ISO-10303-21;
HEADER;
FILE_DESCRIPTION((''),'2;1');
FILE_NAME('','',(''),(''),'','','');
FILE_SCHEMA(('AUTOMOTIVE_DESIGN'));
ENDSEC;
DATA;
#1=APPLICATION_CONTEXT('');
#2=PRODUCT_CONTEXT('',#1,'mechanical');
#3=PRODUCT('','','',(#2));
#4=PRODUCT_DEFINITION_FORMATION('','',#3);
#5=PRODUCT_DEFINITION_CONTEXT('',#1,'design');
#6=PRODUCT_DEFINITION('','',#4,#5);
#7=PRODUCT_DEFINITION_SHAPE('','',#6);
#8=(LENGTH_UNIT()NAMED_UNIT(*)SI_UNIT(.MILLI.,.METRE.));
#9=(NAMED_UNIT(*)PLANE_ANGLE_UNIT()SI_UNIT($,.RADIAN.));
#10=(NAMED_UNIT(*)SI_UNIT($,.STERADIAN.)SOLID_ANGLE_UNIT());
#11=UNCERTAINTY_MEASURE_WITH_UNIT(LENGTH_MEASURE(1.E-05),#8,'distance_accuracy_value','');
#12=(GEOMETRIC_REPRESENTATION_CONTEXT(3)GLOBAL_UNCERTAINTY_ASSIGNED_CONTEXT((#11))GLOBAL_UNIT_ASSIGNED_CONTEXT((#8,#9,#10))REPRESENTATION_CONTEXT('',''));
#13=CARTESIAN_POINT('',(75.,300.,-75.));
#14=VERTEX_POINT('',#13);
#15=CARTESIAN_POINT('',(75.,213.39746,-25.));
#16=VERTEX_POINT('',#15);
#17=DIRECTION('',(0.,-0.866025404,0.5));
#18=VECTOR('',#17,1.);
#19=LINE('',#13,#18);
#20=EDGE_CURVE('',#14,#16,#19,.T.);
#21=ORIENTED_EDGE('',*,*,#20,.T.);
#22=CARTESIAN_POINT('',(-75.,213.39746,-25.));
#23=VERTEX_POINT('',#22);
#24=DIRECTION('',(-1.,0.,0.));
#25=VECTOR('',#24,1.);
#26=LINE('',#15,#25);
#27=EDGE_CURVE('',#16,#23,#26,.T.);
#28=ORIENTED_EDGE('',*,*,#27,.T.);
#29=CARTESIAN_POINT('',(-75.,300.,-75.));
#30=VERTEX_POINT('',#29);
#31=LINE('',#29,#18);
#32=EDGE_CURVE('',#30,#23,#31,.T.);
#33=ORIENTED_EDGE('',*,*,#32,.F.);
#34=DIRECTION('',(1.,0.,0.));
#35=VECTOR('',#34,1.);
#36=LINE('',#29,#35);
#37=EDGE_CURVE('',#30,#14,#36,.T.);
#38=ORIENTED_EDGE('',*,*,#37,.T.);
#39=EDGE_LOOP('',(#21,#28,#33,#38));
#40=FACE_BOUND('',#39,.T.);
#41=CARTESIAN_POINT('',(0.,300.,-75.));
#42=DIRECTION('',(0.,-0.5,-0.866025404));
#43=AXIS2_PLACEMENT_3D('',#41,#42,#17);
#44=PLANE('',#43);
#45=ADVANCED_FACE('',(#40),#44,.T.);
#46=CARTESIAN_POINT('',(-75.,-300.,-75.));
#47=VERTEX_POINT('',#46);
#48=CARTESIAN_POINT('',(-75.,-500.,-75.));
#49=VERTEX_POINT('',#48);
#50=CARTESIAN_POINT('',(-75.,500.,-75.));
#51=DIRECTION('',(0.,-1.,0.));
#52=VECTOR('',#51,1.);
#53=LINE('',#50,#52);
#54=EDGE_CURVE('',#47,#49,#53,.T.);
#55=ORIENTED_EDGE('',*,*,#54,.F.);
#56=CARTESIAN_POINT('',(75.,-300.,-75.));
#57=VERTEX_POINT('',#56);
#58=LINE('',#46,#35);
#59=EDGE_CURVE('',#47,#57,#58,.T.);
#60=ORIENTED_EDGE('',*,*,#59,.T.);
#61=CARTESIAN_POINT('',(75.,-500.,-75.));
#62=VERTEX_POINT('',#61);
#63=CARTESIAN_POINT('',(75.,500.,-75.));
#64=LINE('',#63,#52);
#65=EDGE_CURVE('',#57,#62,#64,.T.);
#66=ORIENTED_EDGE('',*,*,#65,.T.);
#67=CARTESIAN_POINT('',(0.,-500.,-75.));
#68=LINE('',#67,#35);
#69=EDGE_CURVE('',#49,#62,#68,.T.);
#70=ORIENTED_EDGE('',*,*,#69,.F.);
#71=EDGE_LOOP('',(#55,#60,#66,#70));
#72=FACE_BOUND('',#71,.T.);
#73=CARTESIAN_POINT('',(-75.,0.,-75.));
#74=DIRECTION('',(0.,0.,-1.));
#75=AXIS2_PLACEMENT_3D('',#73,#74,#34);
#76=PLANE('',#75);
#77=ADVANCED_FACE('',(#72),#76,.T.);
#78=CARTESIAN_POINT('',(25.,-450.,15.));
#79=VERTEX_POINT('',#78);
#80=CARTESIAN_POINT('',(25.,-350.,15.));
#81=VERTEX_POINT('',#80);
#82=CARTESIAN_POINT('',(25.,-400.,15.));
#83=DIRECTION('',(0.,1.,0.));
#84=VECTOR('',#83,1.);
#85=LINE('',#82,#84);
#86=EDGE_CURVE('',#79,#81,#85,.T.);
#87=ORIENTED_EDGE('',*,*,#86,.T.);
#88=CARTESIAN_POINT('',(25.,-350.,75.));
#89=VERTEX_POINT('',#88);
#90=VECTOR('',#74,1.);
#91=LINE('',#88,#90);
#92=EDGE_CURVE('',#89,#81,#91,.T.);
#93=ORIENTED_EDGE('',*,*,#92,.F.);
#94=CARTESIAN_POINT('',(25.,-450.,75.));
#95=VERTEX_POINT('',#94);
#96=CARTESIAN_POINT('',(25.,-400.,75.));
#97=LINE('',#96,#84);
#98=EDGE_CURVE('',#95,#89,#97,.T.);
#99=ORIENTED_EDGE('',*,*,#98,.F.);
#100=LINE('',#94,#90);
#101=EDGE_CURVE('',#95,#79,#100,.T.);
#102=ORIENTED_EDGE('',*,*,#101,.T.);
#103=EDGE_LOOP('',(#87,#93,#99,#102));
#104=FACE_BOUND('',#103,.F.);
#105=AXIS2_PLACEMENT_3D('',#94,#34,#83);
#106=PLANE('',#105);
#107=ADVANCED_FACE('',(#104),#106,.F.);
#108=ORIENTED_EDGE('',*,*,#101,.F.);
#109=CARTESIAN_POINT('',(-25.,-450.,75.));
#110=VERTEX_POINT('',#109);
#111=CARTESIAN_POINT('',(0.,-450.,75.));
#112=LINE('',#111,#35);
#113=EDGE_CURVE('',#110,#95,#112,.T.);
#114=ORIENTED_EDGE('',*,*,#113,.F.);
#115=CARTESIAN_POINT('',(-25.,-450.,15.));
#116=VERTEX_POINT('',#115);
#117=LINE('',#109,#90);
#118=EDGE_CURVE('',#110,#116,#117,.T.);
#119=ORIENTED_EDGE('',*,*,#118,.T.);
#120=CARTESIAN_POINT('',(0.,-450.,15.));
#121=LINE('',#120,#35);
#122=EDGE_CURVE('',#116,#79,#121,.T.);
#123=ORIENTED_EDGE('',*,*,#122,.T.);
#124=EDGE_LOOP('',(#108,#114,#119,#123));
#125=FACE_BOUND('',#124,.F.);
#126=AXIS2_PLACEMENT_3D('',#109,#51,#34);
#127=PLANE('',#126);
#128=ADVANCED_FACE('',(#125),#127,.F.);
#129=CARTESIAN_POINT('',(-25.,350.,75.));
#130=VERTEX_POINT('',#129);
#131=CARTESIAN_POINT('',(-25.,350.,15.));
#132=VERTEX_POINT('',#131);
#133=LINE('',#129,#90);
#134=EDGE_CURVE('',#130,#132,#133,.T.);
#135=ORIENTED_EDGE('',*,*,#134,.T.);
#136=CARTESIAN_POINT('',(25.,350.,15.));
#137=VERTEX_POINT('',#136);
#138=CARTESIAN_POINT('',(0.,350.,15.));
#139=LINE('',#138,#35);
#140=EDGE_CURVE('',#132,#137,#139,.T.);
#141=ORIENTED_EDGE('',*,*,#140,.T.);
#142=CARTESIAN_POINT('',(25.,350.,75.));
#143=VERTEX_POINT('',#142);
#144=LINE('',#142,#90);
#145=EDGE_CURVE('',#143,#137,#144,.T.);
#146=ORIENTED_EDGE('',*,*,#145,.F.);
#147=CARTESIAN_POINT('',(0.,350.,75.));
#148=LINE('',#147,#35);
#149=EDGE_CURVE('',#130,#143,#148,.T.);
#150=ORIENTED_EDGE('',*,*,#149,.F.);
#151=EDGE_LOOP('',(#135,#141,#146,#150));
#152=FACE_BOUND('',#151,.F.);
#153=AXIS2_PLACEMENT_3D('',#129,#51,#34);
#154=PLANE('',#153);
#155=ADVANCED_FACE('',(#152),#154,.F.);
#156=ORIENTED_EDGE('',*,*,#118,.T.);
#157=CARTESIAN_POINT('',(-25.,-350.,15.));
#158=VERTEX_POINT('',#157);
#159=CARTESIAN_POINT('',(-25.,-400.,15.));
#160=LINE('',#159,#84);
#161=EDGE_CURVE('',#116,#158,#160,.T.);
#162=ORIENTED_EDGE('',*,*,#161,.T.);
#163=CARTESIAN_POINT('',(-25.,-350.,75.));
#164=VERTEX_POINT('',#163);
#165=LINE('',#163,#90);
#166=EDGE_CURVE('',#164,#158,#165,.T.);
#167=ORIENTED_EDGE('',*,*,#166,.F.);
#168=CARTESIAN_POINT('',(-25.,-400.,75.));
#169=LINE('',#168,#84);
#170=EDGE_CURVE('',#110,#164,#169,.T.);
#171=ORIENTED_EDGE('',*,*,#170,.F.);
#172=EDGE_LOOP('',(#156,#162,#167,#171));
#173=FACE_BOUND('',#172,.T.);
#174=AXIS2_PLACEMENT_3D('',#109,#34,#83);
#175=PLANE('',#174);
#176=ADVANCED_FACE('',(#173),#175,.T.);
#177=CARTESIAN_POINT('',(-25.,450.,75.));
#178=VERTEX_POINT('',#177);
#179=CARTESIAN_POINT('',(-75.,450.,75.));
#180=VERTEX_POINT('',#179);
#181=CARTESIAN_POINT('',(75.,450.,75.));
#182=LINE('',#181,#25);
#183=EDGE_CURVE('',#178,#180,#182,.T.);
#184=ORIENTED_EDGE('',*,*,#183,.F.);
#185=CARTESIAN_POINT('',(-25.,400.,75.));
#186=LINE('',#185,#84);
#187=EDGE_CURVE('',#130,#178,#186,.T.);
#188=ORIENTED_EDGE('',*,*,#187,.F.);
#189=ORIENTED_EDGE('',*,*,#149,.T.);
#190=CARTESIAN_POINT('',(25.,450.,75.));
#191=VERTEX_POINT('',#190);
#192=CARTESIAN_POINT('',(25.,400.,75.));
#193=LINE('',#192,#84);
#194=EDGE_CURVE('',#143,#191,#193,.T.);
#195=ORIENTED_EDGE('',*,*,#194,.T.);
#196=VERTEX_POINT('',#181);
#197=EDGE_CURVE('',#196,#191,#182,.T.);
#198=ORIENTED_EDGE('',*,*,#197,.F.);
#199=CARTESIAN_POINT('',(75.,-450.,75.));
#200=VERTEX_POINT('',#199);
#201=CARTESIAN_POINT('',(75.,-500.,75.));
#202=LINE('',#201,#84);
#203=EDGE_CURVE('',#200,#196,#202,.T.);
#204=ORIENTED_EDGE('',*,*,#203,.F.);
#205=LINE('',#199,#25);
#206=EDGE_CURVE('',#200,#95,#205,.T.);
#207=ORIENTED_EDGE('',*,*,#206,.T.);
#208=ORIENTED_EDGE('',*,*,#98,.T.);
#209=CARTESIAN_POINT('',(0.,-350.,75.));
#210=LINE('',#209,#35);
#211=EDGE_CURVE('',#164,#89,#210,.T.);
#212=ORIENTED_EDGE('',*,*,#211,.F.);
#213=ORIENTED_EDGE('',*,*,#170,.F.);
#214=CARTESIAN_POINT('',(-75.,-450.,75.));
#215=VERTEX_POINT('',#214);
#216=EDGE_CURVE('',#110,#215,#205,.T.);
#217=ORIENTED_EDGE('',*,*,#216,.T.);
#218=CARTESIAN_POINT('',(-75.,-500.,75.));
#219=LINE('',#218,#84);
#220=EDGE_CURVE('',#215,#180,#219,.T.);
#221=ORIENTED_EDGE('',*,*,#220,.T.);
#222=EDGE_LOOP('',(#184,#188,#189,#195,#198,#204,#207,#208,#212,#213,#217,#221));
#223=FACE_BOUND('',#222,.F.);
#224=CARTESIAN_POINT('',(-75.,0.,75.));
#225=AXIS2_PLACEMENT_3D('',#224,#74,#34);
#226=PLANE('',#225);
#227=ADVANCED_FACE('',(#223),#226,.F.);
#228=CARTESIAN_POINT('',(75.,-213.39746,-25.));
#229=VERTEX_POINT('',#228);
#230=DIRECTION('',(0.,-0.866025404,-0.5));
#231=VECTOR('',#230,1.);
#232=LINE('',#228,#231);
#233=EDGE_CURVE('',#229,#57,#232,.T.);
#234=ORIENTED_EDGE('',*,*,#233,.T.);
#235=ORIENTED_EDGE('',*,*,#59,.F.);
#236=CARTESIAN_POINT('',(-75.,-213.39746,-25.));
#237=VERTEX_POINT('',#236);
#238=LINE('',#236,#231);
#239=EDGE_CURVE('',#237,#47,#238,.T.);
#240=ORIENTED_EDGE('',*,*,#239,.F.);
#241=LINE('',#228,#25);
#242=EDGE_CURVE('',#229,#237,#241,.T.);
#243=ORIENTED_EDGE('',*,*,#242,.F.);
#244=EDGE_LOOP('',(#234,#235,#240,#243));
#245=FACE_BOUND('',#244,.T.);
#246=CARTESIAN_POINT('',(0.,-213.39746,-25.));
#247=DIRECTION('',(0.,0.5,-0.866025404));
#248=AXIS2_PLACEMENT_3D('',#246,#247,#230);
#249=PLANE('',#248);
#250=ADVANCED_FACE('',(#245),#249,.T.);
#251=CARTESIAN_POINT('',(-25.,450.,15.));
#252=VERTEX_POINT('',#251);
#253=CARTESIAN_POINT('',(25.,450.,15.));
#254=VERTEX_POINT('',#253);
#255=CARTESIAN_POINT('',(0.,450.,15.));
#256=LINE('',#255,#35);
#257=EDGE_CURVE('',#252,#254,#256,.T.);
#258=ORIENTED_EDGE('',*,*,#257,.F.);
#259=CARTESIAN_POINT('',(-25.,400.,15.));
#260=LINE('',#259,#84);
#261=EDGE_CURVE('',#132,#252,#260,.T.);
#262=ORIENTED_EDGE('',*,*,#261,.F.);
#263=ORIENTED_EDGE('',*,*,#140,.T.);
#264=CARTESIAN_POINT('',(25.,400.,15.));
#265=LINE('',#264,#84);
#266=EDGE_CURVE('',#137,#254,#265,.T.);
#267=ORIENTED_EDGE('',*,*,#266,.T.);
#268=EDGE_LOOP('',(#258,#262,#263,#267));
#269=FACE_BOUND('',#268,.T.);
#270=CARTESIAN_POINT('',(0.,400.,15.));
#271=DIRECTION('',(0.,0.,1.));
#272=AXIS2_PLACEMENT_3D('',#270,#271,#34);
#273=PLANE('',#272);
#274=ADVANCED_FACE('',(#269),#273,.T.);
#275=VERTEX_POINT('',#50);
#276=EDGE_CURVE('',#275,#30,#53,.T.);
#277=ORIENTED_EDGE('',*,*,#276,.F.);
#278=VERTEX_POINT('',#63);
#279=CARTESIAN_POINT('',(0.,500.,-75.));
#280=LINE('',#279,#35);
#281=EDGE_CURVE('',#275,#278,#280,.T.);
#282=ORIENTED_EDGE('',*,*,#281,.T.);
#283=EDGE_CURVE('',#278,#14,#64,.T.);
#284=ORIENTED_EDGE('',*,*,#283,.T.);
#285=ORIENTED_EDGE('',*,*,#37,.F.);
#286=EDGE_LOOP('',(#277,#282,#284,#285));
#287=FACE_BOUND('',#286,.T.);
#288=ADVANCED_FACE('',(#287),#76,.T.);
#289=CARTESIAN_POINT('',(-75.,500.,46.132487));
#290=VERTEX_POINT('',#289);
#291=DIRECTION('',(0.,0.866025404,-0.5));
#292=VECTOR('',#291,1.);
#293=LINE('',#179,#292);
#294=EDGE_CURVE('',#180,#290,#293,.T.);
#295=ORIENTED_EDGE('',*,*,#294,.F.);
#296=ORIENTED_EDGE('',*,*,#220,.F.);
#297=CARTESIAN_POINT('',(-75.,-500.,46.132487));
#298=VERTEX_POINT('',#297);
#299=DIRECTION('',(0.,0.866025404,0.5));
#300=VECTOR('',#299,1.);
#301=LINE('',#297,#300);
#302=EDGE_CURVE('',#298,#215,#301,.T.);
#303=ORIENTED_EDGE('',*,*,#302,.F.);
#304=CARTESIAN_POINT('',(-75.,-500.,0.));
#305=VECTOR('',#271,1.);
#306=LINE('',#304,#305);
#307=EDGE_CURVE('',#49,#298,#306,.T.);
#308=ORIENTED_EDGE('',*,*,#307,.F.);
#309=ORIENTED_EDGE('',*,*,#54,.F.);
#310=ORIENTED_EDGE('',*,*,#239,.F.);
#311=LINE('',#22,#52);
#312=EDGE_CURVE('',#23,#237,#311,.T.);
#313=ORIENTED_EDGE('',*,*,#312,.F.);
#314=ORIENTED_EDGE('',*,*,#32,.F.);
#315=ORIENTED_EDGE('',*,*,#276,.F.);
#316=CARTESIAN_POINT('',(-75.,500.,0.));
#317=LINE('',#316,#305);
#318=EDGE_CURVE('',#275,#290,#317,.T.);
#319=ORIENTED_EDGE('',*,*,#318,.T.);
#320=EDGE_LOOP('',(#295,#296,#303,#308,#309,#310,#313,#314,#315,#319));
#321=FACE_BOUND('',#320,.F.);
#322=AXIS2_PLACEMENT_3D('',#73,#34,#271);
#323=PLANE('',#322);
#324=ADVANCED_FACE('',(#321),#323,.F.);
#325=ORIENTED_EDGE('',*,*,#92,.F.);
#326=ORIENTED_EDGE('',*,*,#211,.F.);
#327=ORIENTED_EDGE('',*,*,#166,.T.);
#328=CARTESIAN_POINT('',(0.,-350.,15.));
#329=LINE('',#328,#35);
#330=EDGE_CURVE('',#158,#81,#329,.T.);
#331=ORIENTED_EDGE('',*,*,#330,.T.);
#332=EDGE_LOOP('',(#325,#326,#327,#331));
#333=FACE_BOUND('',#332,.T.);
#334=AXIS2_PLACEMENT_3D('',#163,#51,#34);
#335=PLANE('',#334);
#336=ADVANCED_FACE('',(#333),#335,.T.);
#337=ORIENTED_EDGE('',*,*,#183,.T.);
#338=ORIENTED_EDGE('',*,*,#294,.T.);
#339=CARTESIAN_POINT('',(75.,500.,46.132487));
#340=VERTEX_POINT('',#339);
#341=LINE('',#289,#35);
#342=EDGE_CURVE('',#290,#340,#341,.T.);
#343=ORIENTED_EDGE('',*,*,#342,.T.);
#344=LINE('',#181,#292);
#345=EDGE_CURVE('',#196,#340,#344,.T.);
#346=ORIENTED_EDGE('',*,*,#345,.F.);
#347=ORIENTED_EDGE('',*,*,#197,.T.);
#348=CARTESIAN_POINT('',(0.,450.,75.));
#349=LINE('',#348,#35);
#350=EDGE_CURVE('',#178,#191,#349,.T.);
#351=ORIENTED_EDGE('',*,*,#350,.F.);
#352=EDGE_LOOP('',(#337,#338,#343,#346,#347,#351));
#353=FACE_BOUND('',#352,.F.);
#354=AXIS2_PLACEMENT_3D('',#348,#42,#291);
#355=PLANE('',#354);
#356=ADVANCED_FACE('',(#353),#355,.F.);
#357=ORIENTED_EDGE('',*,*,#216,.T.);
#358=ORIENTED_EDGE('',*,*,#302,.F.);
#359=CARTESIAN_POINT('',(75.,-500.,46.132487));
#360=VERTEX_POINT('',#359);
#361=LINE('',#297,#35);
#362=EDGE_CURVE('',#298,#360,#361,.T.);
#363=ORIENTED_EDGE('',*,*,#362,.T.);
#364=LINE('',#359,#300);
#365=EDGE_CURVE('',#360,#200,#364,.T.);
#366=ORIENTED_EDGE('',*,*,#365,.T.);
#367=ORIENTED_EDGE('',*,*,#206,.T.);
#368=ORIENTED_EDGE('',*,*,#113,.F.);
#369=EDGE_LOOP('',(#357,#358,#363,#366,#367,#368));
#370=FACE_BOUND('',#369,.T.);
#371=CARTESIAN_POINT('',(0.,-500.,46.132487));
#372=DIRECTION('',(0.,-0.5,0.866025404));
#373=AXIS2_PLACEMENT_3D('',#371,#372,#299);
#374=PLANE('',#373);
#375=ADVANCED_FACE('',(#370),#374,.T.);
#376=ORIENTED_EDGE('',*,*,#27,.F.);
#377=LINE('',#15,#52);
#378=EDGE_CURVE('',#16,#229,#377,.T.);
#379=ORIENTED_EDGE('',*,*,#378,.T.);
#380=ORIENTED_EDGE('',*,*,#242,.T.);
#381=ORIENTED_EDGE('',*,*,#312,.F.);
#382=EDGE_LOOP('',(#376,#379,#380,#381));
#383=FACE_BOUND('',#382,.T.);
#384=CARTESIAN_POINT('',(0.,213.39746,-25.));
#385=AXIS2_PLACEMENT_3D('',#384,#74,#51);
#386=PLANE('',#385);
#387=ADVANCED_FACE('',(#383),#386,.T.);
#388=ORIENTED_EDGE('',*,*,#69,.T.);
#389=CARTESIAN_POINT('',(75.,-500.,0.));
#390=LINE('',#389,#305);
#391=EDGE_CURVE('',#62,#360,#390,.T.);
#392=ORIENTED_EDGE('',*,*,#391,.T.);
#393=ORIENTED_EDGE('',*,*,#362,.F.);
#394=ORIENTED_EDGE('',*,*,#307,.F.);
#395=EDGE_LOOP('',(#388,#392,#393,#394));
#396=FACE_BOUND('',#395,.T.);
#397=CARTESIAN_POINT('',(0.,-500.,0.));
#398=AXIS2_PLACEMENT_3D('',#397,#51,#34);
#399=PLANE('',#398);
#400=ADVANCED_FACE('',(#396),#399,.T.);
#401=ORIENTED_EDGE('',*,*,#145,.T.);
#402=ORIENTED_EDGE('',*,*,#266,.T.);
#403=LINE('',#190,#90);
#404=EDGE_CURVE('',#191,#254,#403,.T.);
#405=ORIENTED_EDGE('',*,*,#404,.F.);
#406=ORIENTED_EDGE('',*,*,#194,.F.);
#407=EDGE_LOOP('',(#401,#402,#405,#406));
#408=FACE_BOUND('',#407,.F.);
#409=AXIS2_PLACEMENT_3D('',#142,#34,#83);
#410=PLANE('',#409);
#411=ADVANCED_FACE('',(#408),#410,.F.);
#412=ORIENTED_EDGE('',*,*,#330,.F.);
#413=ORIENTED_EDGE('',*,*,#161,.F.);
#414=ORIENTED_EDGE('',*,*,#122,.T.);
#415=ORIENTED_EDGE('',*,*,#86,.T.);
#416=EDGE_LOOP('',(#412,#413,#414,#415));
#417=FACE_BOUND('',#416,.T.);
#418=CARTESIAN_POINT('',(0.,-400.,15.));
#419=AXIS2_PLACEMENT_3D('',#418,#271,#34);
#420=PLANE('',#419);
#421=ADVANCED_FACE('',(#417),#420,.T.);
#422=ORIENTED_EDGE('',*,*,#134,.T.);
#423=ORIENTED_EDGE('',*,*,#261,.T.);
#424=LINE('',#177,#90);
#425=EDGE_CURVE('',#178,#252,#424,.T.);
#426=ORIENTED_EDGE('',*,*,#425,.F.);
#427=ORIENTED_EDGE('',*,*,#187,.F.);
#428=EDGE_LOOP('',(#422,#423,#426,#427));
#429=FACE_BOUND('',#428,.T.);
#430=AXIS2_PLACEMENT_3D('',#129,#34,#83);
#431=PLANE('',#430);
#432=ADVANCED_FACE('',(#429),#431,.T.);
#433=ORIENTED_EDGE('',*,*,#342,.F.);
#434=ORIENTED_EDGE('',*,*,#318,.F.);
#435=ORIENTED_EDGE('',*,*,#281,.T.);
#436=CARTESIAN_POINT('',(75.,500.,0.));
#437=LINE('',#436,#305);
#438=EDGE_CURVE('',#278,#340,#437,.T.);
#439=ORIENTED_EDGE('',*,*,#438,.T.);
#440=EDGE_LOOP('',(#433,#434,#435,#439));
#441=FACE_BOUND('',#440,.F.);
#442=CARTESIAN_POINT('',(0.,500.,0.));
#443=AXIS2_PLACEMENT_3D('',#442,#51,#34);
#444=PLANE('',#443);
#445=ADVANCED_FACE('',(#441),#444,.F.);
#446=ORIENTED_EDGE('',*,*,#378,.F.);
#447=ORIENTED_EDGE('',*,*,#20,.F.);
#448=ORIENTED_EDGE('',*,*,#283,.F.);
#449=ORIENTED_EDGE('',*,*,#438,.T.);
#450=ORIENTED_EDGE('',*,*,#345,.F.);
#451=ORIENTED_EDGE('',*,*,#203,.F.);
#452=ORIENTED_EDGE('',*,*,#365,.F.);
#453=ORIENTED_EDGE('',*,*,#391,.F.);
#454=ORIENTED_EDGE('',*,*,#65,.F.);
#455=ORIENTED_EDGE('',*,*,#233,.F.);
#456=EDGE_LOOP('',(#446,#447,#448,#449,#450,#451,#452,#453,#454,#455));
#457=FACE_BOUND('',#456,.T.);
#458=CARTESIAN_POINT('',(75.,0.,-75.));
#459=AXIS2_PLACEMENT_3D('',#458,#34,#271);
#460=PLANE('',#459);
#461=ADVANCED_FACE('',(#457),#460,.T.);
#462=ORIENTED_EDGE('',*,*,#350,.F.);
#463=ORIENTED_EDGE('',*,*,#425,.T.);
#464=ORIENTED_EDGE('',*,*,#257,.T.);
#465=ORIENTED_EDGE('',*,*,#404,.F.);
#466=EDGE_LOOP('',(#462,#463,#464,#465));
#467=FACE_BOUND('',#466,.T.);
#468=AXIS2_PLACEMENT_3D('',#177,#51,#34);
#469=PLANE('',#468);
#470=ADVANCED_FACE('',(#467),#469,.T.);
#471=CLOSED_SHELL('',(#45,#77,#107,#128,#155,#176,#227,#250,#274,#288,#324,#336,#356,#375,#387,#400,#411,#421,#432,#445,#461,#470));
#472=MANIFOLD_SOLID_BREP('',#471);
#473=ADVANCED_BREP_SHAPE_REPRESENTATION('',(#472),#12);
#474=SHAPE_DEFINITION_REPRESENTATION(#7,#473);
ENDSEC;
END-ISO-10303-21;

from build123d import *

# Parameters (mm, degrees)
F3_W     = 150
F3_H     = 150
F4_DEPTH = 500
F6_DEPTH = 75
F7_W     = 50
F7_H     = 100
F8_DEPTH = 60


with BuildPart() as f4:
    # F3 (on Front) → F4 (new body, symmetric)
    with BuildSketch(Plane.XZ):
        Rectangle(F3_W, F3_H)
    extrude(amount=F4_DEPTH, both=True)

    # F5 (on Right) → F6 (cut, symmetric)
    with BuildSketch(Plane.YZ):
        Polygon((-500, 75), (-500, 46.1324865405), (-450, 75), align=None)
        Polygon((-213.3974596216, -25), (-300, -75), (0, -75), (300, -75), (213.3974596216, -25), (0, -25), align=None)
        Polygon((450, 75), (500, 46.1324865405), (500, 75), align=None)
    extrude(amount=F6_DEPTH, both=True, mode=Mode.SUBTRACT)

    # F7 (on face) → F8 (cut)
    with BuildSketch(Plane.XY.offset(75)):
        with Locations((0, 400)):
            Rectangle(F7_W, F7_H)
        with Locations((0, -400)):
            Rectangle(F7_W, F7_H)
    extrude(amount=-F8_DEPTH, mode=Mode.SUBTRACT)


solid = f4.part
